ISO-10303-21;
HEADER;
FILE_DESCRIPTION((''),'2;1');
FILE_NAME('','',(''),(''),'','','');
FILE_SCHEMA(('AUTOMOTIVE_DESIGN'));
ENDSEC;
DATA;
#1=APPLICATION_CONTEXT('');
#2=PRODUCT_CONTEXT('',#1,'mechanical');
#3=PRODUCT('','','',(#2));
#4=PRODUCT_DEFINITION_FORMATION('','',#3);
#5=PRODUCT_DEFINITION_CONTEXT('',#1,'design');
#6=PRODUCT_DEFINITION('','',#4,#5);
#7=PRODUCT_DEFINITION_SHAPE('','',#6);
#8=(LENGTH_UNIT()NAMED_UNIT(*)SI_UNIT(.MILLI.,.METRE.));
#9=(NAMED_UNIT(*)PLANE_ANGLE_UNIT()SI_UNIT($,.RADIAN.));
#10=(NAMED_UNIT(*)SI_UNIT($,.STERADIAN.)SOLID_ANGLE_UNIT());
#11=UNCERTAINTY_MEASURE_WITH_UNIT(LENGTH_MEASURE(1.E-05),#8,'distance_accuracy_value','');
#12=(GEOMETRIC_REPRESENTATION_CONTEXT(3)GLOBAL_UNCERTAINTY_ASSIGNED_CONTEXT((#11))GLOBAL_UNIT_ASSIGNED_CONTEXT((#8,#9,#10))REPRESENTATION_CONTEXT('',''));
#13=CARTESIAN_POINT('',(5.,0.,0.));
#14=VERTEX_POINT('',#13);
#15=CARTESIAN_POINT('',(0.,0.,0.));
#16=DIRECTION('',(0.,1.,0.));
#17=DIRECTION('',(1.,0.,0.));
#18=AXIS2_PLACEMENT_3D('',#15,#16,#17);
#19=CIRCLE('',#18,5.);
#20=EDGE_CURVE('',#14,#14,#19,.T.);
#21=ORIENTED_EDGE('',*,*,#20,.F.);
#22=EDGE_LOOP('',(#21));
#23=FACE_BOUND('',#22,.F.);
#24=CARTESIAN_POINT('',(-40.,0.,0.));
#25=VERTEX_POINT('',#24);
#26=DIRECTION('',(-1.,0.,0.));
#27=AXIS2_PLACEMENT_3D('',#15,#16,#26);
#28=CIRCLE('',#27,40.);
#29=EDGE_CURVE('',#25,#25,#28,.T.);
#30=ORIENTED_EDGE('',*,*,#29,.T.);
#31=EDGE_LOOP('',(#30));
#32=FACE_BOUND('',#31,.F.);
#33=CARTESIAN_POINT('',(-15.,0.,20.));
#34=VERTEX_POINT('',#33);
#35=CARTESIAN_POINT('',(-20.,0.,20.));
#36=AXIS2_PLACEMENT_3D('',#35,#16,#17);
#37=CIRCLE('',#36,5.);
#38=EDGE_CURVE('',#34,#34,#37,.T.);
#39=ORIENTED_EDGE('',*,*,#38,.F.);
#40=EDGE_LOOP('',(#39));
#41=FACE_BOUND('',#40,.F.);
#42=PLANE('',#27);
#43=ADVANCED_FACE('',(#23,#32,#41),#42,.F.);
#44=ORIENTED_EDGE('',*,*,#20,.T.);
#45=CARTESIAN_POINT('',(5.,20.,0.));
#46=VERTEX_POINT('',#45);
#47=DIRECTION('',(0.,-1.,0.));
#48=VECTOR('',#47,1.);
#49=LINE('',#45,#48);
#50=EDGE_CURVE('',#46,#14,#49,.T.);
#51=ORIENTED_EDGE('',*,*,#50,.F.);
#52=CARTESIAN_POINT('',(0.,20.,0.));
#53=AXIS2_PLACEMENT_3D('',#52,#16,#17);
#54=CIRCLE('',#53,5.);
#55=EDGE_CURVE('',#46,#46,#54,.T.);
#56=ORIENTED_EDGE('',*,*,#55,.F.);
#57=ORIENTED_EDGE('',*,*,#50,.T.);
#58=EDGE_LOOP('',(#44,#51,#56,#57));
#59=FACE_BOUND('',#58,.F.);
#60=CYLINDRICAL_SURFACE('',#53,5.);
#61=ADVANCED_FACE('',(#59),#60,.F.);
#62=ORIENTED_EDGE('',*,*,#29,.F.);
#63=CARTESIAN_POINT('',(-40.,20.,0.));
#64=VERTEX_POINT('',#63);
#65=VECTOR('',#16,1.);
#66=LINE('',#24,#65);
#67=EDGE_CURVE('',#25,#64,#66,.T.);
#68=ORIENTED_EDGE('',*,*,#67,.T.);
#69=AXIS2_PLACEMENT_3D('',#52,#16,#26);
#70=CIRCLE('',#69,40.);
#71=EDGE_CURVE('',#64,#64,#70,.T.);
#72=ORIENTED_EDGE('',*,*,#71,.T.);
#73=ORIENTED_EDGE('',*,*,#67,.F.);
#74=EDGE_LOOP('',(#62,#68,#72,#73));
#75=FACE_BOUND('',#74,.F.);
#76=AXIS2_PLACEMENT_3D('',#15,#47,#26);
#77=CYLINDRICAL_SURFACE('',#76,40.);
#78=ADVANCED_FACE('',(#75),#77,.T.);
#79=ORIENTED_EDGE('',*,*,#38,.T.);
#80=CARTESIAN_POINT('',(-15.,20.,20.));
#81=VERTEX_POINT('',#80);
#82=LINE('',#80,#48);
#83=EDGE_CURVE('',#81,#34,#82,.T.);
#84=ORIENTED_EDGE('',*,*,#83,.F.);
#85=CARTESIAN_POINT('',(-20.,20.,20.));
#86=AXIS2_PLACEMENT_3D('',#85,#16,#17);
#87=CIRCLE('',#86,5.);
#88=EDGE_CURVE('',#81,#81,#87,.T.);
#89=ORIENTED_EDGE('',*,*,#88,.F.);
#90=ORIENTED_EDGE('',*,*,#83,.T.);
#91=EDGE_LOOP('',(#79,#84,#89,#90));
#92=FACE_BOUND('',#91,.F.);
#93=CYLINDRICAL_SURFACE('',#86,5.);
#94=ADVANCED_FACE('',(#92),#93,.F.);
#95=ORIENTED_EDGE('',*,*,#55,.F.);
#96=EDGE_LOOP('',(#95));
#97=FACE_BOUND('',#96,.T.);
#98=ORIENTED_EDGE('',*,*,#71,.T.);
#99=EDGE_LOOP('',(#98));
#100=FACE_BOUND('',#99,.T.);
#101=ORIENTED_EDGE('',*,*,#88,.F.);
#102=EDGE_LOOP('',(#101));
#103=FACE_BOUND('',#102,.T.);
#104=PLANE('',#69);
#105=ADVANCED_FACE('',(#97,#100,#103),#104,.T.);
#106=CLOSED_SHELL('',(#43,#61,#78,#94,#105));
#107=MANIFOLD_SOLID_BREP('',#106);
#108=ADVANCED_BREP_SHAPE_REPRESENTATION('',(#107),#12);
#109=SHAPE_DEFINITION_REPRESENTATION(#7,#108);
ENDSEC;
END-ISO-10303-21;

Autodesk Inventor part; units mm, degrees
ref_plane "YZ Plane" through (0, 0, 0) normal (1, 0, 0) x (0, 1, 0)
ref_plane "XZ Plane" through (0, 0, 0) normal (0, 1, 0) x (-1, 0, 0)
ref_plane "XY Plane" through (0, 0, 0) normal (0, 0, 1) x (1, 0, 0)
sketch "Sketch1" plane through (0, 0, 0) normal (0, 1, 0) x (-1, 0, 0)
  circle A0 centre (0, 0) radius 40
  dimension "d0" = 80
extrude "Extrusion1" add sketch "Sketch1" along normal blind 20
sketch "Sketch2" plane through (0, 20, 0) normal (0, 1, 0) x (1, 0, 0)
  circle A0 centre (0, 0) radius 40 projected
  line L0 (-56, 0) -> (56, 0) projected
  line L1 (0, 56) -> (0, -56) projected
  circle A1 centre (-20, -20) radius 5
  dimension "d3" = 10
  dimension "d4" = 20
  dimension "d5" = 20
extrude "Extrusion2" cut sketch "Sketch2" against normal through all contours A1
sketch "Sketch3" plane through (0, 20, 0) normal (0, 1, 0) x (1, 0, 0)
  circle A0 centre (0, 0) radius 5
  dimension "d8" = 10
extrude "Extrusion3" cut sketch "Sketch3" against normal through all
equation "\"d6\" = d3"
equation "\"d9\" = d3"
properties part number "flywheel"
